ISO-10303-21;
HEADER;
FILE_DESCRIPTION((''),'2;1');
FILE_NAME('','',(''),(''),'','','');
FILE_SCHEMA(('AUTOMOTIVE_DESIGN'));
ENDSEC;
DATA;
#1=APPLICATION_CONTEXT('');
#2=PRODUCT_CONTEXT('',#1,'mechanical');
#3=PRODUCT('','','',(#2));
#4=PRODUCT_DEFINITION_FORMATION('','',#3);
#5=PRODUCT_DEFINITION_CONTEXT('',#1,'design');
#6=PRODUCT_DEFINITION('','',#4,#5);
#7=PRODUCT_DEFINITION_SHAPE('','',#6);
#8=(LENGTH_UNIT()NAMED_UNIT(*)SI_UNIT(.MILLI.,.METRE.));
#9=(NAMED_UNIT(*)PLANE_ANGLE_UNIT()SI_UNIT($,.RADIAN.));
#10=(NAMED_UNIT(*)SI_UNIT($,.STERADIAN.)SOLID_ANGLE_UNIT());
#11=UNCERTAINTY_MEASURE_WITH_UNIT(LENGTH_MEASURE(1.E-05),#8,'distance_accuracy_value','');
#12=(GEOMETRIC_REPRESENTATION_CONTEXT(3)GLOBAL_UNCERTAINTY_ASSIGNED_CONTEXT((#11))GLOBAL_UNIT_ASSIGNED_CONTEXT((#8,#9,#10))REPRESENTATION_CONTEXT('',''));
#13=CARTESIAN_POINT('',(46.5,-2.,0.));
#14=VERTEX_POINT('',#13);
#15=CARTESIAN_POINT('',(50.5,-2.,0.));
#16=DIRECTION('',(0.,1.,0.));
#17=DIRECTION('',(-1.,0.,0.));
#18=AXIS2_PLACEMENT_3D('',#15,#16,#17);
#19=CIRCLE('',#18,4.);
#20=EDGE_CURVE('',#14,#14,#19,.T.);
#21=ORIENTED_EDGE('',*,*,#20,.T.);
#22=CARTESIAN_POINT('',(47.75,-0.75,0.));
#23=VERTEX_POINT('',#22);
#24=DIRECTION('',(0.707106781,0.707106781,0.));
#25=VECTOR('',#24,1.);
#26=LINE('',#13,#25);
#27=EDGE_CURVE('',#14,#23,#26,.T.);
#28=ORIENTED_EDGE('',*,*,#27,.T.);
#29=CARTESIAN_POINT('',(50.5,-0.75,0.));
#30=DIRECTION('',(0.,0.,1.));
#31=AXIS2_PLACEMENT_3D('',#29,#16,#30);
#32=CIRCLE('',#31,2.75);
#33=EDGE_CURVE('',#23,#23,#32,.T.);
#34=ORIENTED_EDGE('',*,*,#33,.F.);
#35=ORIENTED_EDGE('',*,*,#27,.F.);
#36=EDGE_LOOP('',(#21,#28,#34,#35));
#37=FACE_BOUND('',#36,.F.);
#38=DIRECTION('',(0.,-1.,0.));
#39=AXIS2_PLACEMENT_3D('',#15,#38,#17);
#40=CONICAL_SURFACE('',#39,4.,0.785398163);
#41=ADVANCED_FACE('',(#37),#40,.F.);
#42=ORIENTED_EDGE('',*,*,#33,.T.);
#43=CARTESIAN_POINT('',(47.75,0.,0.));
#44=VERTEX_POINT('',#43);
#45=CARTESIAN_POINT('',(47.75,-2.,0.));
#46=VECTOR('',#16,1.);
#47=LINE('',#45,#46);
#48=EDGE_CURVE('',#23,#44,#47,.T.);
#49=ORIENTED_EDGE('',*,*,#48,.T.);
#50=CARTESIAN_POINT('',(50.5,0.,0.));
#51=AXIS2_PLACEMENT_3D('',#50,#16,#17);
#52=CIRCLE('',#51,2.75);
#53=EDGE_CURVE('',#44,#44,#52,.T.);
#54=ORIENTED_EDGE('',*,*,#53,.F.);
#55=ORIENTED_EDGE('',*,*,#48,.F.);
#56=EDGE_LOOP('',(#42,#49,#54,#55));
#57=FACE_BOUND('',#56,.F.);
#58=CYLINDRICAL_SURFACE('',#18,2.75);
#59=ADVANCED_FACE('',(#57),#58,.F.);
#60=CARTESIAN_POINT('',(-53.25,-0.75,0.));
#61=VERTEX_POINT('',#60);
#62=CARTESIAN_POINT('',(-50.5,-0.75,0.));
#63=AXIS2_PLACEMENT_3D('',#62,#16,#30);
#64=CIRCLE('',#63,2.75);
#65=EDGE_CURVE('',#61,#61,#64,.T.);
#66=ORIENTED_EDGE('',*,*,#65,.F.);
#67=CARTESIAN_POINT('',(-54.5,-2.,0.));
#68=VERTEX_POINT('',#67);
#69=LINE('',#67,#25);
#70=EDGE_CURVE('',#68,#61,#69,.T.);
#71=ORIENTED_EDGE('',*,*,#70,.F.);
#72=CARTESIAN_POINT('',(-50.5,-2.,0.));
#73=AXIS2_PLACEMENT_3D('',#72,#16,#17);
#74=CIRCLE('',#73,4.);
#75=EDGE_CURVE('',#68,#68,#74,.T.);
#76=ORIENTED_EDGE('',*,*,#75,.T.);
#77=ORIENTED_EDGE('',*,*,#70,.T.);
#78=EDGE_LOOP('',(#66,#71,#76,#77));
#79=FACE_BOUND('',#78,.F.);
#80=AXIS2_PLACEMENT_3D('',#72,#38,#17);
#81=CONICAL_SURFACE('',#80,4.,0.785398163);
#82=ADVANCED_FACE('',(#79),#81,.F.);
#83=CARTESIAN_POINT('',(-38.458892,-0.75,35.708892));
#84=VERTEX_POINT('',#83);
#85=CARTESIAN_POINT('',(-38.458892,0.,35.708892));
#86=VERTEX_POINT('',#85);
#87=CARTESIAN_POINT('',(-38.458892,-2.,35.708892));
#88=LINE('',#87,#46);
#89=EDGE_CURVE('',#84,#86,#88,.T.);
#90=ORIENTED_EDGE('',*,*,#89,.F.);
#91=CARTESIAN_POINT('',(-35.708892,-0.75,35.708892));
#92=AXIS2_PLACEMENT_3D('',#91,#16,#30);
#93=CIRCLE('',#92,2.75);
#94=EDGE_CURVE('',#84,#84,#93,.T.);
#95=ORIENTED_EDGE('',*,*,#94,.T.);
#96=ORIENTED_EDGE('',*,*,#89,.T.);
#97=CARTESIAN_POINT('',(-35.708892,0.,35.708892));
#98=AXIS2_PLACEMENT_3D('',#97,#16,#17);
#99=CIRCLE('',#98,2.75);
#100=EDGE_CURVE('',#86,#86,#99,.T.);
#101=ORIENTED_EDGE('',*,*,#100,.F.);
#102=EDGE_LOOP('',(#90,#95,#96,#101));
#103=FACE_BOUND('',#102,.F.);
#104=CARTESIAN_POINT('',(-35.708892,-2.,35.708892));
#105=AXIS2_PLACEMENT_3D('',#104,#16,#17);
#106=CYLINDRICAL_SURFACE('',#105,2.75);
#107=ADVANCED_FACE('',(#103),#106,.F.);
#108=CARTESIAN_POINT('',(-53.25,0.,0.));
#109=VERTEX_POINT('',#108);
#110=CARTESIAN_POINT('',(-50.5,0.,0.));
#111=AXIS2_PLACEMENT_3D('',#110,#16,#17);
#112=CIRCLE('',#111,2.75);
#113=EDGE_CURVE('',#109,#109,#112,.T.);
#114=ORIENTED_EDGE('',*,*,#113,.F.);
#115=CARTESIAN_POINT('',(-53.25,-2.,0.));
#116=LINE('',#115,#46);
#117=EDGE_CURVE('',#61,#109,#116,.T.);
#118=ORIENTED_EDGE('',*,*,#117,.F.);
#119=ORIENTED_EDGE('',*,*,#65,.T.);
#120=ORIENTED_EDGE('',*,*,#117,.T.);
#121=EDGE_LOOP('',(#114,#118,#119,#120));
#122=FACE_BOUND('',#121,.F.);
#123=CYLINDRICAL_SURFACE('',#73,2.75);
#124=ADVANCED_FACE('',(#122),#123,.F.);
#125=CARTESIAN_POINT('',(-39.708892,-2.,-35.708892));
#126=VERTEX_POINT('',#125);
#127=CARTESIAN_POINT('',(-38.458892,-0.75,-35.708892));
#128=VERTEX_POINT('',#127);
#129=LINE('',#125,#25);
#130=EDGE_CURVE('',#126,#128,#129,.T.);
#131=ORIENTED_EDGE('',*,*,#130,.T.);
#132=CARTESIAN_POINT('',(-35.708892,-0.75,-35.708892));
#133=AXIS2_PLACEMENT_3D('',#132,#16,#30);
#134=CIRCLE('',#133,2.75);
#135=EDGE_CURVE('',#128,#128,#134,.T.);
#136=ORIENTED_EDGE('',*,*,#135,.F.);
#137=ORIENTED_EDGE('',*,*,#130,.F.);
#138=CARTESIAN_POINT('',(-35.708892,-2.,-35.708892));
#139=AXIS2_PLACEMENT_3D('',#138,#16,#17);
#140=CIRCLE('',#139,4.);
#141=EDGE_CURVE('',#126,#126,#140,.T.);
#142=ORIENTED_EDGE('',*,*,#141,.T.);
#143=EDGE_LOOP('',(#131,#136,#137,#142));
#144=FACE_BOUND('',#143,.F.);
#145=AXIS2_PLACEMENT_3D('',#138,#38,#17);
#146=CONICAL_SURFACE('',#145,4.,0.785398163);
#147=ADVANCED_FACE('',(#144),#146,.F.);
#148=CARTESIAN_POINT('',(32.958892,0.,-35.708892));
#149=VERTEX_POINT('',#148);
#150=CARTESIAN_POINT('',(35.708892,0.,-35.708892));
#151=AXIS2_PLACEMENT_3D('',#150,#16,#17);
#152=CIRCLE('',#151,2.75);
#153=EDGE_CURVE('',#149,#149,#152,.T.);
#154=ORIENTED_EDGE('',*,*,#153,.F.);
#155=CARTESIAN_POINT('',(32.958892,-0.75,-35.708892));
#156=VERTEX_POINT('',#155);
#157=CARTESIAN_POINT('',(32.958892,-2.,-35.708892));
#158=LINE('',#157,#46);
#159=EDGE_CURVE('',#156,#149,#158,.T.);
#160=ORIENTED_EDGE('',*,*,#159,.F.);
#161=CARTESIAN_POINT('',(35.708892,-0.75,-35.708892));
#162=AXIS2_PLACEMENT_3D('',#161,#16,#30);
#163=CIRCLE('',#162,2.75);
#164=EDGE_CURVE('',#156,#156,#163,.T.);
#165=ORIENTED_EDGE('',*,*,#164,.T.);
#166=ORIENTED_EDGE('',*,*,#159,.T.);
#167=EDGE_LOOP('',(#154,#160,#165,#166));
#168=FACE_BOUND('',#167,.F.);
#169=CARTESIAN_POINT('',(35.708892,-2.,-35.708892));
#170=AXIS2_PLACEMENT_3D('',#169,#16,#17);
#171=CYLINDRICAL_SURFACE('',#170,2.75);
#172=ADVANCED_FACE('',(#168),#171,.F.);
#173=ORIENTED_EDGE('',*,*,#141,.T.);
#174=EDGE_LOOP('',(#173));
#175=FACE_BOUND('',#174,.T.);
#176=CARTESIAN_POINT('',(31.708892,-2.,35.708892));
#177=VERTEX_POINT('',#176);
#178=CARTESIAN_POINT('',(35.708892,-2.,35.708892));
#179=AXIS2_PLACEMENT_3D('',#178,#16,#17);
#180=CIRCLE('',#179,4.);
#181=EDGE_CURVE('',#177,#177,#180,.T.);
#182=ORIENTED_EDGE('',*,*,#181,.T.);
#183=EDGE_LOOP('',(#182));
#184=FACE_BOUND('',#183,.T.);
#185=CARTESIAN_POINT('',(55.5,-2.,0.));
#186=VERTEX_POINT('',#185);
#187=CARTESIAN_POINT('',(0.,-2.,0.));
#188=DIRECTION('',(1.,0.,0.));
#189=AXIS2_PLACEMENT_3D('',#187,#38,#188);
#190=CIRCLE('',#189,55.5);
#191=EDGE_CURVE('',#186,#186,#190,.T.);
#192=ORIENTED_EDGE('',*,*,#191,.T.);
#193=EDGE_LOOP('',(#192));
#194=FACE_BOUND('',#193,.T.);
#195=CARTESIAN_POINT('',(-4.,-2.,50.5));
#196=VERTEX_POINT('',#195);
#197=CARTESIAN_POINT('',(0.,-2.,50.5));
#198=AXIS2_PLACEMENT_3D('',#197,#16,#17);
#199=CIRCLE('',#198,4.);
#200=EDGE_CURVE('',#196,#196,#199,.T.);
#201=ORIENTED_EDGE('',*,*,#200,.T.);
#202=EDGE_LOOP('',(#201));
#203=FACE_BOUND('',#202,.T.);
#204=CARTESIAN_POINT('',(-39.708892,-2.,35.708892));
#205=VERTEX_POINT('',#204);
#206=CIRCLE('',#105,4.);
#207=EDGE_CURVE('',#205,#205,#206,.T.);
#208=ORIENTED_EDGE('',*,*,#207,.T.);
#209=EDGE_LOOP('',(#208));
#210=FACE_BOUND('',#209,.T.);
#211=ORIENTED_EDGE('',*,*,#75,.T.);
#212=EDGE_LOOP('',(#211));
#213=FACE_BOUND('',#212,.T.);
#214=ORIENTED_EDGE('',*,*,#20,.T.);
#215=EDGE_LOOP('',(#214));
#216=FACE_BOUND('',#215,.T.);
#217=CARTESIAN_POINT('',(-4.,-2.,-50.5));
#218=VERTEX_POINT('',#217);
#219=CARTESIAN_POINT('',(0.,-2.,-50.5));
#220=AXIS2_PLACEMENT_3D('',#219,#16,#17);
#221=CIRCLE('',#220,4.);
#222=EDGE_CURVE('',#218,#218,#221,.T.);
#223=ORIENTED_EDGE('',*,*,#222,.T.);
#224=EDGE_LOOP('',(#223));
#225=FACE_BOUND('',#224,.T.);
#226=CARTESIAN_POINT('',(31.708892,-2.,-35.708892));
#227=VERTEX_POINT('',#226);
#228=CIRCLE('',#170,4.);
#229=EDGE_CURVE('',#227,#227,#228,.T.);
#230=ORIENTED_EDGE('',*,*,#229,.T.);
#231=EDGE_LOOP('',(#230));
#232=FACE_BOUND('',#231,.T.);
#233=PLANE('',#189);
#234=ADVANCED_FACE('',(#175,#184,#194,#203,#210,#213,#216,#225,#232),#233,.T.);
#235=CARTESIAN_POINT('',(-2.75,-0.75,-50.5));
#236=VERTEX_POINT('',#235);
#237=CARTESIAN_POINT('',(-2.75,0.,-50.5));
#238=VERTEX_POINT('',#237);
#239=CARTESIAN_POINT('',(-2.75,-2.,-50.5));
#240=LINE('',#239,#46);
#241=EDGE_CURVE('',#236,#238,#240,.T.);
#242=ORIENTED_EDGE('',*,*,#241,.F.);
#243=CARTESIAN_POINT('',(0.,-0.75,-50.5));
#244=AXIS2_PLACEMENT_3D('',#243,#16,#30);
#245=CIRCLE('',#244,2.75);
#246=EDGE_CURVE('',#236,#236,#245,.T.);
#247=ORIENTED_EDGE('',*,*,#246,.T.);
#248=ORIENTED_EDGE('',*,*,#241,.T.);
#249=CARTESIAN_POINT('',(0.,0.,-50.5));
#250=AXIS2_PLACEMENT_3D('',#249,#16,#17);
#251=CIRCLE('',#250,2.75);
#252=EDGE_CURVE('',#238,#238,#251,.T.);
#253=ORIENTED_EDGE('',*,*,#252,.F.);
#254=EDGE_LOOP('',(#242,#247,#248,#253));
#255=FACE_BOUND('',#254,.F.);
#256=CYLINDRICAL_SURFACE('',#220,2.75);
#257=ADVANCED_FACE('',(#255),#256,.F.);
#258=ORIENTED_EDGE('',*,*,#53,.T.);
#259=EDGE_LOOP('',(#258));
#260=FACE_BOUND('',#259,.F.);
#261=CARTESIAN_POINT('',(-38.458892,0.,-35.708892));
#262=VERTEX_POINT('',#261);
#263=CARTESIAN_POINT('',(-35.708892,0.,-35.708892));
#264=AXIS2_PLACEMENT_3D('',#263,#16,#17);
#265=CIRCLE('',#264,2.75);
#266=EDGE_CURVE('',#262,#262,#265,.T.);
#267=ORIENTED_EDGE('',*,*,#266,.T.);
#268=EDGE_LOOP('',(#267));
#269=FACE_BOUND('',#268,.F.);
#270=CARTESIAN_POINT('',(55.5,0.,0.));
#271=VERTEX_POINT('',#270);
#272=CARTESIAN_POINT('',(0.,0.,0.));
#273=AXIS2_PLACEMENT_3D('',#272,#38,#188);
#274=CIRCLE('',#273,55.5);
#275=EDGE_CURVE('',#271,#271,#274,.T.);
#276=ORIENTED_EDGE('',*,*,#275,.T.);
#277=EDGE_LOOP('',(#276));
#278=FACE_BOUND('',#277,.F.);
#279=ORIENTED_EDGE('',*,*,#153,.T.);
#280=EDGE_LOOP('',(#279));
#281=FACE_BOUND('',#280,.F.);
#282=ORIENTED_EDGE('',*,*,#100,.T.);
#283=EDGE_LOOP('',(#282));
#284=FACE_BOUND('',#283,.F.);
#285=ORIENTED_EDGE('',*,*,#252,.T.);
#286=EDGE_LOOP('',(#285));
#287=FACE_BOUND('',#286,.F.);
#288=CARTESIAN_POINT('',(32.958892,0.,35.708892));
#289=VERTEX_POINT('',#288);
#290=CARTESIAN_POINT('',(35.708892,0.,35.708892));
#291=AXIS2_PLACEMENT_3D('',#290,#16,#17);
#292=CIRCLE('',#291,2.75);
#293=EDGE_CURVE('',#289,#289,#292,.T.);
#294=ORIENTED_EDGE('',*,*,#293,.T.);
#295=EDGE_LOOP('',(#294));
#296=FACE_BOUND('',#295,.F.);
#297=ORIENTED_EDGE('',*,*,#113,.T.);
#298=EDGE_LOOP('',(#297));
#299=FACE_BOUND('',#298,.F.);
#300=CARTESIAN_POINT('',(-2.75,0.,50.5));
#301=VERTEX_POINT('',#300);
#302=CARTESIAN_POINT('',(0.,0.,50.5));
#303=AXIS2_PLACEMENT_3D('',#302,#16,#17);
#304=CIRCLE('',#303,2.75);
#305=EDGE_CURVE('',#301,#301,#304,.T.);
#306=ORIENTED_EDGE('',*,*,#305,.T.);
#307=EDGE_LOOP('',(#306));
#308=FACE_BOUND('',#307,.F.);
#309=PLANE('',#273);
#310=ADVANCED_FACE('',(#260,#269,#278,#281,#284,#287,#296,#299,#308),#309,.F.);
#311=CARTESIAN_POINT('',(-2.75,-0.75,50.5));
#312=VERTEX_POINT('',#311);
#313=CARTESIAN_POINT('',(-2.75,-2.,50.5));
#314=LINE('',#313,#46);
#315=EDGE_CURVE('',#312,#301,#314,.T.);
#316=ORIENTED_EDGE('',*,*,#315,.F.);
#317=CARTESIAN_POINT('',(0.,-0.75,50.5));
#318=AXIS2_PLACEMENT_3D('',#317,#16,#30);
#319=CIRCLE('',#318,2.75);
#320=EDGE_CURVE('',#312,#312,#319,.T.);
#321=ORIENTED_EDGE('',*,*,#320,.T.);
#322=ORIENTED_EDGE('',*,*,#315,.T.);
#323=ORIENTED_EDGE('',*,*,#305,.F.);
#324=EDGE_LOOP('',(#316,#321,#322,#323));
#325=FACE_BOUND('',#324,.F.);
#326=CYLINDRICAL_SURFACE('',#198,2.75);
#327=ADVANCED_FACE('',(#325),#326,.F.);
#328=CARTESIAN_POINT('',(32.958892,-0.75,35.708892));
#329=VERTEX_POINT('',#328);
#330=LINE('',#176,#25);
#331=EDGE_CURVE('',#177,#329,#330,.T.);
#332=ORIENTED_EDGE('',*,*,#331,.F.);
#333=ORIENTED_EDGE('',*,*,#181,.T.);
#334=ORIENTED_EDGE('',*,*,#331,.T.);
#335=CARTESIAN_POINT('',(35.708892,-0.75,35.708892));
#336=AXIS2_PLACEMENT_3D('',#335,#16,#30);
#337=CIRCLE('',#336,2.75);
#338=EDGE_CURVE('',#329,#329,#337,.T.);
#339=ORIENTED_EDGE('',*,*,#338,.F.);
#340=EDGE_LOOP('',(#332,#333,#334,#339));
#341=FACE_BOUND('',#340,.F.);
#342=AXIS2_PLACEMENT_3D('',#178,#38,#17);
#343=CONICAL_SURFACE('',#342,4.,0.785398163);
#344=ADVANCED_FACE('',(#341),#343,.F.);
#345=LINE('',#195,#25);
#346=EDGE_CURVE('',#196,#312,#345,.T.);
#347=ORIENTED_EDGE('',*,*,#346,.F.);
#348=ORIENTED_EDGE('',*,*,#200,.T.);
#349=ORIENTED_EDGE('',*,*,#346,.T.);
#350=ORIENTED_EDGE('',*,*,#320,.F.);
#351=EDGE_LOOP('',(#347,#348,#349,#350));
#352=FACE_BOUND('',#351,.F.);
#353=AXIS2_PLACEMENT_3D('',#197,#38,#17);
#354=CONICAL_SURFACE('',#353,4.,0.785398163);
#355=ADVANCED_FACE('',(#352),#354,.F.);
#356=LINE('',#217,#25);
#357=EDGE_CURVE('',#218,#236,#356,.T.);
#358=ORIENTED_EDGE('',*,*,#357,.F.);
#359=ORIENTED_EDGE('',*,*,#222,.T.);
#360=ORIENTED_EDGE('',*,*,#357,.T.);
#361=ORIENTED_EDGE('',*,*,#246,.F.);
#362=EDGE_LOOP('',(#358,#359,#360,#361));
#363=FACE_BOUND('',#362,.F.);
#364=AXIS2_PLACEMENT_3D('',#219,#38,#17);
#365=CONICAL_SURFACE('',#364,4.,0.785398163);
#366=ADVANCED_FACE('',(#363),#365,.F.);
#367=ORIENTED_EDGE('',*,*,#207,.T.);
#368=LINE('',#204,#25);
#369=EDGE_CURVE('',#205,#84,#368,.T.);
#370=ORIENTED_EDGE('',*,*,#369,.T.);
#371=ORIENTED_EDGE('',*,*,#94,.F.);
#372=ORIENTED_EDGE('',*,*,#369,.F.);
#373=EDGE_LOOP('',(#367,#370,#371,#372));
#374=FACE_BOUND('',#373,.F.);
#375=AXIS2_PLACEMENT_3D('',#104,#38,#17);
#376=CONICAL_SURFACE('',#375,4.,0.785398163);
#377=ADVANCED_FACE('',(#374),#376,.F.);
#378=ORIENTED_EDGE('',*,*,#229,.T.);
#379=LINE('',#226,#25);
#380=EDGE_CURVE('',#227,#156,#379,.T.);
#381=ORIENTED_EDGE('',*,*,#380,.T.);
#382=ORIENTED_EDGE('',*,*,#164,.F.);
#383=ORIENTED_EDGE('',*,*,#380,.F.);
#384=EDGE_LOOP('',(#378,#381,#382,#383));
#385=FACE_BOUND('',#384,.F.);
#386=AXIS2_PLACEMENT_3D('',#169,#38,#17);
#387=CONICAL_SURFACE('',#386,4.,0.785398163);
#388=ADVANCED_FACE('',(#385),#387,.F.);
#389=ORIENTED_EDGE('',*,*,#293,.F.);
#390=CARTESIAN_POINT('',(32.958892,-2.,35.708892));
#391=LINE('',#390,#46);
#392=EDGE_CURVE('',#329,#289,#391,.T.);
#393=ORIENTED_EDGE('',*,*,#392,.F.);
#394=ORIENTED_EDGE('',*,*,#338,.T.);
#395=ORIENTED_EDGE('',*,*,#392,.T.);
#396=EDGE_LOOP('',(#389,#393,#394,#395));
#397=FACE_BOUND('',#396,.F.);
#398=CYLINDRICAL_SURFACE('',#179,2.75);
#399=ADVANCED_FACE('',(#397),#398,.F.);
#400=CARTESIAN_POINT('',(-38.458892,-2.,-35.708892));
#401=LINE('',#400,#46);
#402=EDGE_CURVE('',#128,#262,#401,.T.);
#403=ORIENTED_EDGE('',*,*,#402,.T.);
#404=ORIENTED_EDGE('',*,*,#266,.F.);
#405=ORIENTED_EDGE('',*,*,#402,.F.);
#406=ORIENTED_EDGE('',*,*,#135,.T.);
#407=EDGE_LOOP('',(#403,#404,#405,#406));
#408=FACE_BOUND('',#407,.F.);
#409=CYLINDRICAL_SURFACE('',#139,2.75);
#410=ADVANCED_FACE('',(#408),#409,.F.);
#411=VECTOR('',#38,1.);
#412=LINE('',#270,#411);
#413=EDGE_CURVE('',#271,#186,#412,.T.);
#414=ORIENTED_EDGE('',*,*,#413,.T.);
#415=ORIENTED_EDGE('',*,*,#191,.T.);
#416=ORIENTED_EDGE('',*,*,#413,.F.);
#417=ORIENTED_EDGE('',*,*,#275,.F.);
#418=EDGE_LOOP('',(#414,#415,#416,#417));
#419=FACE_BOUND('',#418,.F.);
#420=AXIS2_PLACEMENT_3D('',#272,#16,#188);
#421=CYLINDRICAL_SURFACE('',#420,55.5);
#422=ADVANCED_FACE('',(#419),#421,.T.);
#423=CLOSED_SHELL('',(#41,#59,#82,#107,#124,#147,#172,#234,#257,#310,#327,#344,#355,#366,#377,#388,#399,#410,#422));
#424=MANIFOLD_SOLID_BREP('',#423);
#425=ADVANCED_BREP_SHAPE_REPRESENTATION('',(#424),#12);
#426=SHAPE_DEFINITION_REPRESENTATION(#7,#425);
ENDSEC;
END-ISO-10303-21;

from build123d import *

# Parameters (mm, degrees)
F0_R           = 55.5
F1_DEPTH       = 2
F3_D           = 5.5
F3_DEPTH       = 30
F3_CSINK_D     = 8
F3_CSINK_ANGLE = 90


with BuildPart() as f1:
    # F0 (on Front) → F1 (new body)
    with BuildSketch(Plane.XZ):
        Circle(F0_R)
    extrude(amount=F1_DEPTH)

    # F3
    with Locations(Plane.XZ.offset(2)):
        with Locations((0, 50.5), (35.708892, 35.708892), (50.5, 0), (35.708892, -35.708892), (0, -50.5), (-35.708892, -35.708892), (-50.5, 0), (-35.708892, 35.708892)):
            CounterSinkHole(F3_D / 2, F3_CSINK_D / 2, depth=F3_DEPTH, counter_sink_angle=F3_CSINK_ANGLE)


solid = f1.part
